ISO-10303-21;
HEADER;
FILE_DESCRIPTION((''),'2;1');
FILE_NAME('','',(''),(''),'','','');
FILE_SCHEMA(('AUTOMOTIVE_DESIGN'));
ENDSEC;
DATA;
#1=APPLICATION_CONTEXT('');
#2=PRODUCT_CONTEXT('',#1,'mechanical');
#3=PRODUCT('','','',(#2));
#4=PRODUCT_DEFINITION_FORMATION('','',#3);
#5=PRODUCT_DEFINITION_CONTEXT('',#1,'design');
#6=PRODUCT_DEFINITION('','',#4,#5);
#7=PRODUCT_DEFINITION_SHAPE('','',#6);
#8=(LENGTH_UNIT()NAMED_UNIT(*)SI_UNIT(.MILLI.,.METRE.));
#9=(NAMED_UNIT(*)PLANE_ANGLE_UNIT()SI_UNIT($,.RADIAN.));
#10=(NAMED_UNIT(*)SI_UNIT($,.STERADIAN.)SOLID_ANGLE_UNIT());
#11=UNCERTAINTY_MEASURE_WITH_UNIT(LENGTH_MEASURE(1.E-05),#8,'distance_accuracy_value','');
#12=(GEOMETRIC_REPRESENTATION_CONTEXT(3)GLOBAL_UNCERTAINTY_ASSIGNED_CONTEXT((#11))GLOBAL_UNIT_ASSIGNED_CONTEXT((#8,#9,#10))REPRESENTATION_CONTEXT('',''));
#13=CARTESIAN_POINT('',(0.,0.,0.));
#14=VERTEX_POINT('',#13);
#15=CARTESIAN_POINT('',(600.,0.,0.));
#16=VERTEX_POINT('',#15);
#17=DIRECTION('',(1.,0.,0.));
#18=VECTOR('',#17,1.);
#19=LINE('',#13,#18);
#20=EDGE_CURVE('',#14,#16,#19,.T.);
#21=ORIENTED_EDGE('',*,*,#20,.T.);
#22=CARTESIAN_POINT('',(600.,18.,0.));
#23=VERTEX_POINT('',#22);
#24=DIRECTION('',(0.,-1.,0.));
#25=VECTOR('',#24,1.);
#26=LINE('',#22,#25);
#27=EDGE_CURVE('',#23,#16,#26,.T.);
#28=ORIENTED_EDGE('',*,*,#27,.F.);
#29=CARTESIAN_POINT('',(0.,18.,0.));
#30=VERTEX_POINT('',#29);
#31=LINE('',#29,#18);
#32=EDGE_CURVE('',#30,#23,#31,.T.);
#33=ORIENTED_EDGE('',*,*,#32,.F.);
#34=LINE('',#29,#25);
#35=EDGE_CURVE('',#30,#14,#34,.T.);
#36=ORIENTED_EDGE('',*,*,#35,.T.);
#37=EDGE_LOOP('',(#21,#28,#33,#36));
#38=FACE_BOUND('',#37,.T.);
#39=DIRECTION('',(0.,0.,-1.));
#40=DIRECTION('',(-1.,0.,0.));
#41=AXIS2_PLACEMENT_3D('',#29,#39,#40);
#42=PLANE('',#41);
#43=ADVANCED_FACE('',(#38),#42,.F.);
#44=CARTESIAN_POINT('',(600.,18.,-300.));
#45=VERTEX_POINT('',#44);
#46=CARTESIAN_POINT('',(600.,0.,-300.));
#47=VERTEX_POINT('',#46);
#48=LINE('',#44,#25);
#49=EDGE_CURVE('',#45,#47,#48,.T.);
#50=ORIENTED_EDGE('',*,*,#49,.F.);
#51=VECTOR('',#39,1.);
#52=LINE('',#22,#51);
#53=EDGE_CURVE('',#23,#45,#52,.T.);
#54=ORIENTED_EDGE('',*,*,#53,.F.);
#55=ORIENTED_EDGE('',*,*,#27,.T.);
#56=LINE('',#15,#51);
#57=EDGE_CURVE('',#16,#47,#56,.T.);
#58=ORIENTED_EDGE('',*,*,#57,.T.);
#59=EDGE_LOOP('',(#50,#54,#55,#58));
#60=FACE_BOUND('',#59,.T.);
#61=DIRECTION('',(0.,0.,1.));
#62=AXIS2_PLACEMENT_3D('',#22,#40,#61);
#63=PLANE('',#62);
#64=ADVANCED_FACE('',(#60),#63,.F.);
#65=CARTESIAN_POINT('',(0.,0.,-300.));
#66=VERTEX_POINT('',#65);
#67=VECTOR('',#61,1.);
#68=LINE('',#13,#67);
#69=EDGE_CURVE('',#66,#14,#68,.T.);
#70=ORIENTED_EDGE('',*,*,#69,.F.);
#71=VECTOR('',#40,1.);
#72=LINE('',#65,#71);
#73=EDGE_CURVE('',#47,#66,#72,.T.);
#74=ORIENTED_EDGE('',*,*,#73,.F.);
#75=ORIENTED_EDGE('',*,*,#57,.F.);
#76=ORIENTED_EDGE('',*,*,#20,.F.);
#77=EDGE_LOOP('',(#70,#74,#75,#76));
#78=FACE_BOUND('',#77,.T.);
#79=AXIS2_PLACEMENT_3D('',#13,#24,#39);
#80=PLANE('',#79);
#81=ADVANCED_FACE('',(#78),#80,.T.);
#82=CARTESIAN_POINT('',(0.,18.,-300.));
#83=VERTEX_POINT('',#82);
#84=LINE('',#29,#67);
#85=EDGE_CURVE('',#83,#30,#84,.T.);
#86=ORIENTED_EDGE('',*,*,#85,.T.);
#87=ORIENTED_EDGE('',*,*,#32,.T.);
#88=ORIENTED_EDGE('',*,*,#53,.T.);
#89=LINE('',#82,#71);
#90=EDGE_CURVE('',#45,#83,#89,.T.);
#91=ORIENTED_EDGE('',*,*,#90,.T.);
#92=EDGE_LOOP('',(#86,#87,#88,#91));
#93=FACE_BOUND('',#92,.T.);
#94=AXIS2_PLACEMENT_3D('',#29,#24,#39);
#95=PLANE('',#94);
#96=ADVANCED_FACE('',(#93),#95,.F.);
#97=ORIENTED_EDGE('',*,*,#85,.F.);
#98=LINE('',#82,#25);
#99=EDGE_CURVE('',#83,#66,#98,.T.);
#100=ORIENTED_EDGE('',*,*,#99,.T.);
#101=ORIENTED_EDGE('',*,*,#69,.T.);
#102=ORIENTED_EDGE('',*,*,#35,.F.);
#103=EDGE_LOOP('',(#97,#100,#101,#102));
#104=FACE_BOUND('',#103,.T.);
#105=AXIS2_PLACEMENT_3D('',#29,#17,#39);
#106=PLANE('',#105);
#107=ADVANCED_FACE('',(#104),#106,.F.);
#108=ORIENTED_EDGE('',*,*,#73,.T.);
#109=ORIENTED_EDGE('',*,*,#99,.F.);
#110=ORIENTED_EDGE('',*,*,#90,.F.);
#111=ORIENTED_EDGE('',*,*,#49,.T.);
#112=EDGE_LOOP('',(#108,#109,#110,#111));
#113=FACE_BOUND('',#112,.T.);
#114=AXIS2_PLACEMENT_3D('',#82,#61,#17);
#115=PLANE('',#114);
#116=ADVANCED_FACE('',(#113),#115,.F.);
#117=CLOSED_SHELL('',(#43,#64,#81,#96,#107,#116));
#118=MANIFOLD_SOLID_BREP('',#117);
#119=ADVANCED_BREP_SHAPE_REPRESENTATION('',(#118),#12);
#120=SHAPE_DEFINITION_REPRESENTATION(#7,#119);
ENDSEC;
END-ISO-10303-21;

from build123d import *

# Parameters (mm, degrees)
SKETCH_1_W      = 600
SKETCH_1_H      = 300
EXTRUDE_1_DEPTH = 18


with BuildPart() as part:
    # Эскиз1 → Бобышка-Вытянуть1 (new body)
    with BuildSketch(Plane(origin=(0, 0, 0), x_dir=(1, 0, 0), z_dir=(0, 1, 0))):
        with Locations((300, 150)):
            Rectangle(SKETCH_1_W, SKETCH_1_H)
    extrude(amount=EXTRUDE_1_DEPTH)


solid = part.part
